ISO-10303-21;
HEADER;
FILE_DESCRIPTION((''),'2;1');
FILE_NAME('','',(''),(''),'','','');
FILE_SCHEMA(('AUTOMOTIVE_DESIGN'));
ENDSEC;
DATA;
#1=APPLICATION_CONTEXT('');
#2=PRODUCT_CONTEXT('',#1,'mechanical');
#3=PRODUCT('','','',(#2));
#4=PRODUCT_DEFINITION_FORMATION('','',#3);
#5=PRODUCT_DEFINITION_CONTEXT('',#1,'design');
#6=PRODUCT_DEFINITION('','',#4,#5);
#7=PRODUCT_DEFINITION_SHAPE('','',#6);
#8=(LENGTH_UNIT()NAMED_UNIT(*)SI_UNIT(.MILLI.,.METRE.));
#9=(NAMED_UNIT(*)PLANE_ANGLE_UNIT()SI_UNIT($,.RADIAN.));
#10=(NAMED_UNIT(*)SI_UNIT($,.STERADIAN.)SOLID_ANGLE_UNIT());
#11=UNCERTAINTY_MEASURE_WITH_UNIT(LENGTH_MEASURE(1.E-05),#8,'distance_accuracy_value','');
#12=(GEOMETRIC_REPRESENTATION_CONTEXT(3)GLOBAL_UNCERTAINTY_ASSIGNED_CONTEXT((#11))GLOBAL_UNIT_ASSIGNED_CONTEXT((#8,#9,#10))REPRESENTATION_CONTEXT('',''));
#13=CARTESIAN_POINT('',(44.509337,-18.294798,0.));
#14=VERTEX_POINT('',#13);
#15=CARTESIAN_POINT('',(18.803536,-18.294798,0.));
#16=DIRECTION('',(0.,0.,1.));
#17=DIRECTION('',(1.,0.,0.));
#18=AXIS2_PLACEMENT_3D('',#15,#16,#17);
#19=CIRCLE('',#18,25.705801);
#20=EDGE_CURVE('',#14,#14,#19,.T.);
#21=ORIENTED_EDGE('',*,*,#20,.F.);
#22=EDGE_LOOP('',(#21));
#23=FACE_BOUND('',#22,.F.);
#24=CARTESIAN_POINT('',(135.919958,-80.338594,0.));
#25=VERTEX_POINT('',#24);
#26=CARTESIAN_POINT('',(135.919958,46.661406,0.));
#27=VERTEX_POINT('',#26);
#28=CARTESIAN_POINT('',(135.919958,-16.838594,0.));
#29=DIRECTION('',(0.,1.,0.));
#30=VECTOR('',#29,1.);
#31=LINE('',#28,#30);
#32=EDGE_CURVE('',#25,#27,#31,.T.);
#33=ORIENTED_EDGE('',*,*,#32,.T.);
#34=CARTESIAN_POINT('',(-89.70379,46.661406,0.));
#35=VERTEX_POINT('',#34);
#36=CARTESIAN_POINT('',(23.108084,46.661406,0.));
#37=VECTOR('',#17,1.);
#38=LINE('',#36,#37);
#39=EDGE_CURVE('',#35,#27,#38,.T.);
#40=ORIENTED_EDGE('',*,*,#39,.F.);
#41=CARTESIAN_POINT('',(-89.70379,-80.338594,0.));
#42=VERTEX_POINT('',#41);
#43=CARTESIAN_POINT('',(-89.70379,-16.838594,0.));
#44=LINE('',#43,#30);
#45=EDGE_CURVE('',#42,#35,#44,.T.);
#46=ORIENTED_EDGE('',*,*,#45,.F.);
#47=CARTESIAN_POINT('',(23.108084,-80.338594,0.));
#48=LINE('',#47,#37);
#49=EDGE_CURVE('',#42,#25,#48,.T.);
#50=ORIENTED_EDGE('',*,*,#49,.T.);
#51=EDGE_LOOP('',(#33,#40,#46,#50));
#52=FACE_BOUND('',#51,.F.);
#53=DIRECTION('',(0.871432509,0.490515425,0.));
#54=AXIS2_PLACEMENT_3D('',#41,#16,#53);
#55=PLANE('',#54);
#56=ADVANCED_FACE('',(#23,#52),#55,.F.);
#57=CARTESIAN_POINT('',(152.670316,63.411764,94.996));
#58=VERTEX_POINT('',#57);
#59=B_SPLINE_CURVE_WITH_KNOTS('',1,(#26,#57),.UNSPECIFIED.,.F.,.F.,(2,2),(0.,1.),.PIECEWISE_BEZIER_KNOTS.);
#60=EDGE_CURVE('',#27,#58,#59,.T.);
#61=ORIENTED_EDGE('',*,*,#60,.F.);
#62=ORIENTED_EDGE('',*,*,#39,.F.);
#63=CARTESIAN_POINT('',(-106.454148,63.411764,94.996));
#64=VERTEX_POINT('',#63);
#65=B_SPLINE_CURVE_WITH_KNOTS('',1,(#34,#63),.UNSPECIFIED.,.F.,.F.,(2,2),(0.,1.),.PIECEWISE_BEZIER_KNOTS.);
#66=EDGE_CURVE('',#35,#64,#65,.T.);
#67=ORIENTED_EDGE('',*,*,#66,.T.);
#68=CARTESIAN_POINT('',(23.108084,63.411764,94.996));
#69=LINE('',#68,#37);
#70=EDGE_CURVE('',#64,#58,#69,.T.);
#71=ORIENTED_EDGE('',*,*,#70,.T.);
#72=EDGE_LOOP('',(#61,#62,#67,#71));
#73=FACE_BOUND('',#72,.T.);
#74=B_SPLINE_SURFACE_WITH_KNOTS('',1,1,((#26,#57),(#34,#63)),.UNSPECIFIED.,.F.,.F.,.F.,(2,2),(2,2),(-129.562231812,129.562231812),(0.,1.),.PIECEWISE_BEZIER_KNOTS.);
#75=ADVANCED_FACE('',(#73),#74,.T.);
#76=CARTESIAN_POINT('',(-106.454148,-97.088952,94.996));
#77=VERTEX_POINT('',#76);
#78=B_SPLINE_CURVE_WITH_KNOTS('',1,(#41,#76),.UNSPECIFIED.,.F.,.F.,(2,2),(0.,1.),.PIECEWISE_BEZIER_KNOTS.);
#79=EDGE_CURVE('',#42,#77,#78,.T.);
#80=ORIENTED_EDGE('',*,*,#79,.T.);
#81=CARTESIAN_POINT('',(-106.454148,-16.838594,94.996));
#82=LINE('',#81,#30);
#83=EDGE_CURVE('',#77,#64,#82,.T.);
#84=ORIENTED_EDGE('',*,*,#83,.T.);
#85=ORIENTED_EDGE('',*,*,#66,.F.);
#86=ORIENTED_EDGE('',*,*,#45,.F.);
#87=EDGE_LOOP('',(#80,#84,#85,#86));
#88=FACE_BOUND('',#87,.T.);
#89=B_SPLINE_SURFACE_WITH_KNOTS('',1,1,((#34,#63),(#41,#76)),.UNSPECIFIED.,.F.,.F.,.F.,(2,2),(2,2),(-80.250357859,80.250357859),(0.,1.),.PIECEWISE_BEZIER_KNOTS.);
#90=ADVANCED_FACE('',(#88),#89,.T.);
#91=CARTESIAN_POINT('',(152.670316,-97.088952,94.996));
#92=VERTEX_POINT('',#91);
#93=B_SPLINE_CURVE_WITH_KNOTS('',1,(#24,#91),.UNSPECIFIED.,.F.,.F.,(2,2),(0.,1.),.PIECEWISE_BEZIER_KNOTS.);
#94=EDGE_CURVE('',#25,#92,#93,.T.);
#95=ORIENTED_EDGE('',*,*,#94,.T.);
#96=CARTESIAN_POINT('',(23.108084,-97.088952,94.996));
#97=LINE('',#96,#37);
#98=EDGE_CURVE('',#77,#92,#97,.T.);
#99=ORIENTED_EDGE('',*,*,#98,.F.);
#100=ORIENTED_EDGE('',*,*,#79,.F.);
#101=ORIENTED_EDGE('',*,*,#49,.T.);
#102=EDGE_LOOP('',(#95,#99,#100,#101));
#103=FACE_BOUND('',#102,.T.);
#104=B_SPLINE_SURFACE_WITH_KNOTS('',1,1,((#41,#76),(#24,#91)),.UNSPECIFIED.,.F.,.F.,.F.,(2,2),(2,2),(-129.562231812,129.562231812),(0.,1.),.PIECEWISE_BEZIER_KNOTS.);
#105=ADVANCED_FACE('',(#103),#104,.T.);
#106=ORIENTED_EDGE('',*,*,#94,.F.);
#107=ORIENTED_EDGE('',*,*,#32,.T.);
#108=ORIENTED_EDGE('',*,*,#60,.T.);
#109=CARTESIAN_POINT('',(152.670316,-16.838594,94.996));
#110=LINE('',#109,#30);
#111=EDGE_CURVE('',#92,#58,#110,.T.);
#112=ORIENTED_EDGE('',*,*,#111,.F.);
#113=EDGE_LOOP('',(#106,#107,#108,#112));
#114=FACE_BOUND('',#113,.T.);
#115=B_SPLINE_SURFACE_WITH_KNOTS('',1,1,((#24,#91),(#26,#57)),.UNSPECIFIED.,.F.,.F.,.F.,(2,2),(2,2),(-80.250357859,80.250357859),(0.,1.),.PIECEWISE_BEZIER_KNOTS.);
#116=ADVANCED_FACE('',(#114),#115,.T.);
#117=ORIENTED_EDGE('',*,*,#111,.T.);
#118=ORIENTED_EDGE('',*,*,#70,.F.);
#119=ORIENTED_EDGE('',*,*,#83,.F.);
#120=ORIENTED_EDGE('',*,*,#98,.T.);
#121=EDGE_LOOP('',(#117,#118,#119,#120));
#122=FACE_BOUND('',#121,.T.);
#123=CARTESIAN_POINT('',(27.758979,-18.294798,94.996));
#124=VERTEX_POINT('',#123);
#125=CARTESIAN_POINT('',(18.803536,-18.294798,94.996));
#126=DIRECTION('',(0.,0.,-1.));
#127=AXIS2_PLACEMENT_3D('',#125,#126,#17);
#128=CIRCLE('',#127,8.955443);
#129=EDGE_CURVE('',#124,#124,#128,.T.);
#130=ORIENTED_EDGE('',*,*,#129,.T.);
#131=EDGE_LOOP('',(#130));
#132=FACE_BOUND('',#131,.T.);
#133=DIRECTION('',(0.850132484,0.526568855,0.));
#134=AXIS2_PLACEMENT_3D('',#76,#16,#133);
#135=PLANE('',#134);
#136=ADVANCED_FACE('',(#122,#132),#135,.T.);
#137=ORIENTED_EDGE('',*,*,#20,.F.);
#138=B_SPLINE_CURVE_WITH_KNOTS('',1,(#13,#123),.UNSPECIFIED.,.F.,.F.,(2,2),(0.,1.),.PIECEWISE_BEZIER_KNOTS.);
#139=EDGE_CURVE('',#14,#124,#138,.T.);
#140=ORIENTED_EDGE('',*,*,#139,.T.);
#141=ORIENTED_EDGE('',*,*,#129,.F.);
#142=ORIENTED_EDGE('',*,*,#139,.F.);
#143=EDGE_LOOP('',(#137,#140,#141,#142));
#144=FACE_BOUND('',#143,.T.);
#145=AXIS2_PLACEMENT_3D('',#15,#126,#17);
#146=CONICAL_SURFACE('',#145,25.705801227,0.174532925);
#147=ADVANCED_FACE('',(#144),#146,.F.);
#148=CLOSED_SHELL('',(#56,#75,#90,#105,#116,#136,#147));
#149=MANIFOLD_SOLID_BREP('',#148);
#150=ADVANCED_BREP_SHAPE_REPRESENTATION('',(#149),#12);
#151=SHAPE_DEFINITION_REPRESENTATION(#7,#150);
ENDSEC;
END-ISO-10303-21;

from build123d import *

# Parameters (mm, degrees)
F0_W     = 225.6237479062
F0_H     = 127
F0_R     = 25.7058012272
F1_DEPTH = 94.996
F1_TAPER = -10


with BuildPart() as f1:
    # F0 (on Top) → F1 (new body)
    with BuildSketch(Plane.XY):
        with Locations((23.1080837548, -16.8385943398)):
            Rectangle(F0_W, F0_H)
        with Locations((18.8035357351, -18.2947983858)):
            Circle(F0_R, mode=Mode.SUBTRACT)
    extrude(amount=F1_DEPTH, taper=F1_TAPER)


solid = f1.part
